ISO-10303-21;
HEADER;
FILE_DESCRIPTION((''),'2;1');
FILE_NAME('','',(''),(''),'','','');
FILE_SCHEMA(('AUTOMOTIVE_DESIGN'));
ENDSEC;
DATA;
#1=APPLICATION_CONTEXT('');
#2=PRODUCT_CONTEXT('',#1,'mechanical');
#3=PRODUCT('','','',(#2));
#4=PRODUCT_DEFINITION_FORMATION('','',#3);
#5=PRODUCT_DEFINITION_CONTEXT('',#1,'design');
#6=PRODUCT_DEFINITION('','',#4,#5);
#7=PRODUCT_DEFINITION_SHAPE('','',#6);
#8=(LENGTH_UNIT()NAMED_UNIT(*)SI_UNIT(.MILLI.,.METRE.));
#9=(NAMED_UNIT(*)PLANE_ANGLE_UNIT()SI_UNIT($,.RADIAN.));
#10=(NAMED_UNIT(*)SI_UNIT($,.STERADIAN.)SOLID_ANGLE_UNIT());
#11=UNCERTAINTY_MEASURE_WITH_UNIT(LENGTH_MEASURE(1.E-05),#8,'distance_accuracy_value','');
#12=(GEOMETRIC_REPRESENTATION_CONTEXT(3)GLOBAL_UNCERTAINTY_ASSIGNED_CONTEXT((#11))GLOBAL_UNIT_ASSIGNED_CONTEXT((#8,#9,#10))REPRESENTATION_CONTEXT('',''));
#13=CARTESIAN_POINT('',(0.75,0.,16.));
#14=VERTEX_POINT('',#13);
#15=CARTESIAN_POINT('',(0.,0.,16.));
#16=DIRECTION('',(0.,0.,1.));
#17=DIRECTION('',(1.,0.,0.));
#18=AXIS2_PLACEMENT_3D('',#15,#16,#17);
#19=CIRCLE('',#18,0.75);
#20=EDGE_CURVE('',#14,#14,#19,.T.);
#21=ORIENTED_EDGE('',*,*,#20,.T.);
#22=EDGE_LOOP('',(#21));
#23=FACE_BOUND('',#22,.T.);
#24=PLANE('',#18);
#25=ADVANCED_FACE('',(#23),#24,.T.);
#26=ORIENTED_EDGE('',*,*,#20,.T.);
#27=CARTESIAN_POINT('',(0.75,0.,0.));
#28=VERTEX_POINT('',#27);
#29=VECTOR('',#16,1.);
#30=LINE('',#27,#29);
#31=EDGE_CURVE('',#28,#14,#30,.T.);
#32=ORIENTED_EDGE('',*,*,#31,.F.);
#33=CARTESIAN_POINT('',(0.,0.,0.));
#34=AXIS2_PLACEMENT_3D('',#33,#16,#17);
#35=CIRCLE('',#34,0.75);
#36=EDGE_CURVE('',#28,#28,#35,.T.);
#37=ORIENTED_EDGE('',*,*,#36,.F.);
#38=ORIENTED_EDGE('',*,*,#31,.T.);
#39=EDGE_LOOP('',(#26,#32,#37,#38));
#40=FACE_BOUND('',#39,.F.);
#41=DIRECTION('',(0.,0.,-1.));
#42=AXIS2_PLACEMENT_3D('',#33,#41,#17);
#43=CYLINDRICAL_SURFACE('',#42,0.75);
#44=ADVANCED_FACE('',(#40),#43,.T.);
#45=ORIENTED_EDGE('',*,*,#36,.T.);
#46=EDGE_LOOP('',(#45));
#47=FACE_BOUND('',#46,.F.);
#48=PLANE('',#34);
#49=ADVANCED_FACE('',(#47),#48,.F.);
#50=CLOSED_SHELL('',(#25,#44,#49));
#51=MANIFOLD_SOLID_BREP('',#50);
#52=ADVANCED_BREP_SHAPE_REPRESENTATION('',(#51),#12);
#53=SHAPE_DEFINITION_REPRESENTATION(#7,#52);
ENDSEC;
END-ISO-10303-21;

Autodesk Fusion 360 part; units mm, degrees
sketch "Sketch1" plane through (0, 0, 0) normal (0, 0, 1) x (1, 0, 0)
  circle A0 centre (0, 0) radius 0.75
  dimension "d1" = 1.5
extrude "Extrude1" add sketch "Sketch1" along normal blind 16
